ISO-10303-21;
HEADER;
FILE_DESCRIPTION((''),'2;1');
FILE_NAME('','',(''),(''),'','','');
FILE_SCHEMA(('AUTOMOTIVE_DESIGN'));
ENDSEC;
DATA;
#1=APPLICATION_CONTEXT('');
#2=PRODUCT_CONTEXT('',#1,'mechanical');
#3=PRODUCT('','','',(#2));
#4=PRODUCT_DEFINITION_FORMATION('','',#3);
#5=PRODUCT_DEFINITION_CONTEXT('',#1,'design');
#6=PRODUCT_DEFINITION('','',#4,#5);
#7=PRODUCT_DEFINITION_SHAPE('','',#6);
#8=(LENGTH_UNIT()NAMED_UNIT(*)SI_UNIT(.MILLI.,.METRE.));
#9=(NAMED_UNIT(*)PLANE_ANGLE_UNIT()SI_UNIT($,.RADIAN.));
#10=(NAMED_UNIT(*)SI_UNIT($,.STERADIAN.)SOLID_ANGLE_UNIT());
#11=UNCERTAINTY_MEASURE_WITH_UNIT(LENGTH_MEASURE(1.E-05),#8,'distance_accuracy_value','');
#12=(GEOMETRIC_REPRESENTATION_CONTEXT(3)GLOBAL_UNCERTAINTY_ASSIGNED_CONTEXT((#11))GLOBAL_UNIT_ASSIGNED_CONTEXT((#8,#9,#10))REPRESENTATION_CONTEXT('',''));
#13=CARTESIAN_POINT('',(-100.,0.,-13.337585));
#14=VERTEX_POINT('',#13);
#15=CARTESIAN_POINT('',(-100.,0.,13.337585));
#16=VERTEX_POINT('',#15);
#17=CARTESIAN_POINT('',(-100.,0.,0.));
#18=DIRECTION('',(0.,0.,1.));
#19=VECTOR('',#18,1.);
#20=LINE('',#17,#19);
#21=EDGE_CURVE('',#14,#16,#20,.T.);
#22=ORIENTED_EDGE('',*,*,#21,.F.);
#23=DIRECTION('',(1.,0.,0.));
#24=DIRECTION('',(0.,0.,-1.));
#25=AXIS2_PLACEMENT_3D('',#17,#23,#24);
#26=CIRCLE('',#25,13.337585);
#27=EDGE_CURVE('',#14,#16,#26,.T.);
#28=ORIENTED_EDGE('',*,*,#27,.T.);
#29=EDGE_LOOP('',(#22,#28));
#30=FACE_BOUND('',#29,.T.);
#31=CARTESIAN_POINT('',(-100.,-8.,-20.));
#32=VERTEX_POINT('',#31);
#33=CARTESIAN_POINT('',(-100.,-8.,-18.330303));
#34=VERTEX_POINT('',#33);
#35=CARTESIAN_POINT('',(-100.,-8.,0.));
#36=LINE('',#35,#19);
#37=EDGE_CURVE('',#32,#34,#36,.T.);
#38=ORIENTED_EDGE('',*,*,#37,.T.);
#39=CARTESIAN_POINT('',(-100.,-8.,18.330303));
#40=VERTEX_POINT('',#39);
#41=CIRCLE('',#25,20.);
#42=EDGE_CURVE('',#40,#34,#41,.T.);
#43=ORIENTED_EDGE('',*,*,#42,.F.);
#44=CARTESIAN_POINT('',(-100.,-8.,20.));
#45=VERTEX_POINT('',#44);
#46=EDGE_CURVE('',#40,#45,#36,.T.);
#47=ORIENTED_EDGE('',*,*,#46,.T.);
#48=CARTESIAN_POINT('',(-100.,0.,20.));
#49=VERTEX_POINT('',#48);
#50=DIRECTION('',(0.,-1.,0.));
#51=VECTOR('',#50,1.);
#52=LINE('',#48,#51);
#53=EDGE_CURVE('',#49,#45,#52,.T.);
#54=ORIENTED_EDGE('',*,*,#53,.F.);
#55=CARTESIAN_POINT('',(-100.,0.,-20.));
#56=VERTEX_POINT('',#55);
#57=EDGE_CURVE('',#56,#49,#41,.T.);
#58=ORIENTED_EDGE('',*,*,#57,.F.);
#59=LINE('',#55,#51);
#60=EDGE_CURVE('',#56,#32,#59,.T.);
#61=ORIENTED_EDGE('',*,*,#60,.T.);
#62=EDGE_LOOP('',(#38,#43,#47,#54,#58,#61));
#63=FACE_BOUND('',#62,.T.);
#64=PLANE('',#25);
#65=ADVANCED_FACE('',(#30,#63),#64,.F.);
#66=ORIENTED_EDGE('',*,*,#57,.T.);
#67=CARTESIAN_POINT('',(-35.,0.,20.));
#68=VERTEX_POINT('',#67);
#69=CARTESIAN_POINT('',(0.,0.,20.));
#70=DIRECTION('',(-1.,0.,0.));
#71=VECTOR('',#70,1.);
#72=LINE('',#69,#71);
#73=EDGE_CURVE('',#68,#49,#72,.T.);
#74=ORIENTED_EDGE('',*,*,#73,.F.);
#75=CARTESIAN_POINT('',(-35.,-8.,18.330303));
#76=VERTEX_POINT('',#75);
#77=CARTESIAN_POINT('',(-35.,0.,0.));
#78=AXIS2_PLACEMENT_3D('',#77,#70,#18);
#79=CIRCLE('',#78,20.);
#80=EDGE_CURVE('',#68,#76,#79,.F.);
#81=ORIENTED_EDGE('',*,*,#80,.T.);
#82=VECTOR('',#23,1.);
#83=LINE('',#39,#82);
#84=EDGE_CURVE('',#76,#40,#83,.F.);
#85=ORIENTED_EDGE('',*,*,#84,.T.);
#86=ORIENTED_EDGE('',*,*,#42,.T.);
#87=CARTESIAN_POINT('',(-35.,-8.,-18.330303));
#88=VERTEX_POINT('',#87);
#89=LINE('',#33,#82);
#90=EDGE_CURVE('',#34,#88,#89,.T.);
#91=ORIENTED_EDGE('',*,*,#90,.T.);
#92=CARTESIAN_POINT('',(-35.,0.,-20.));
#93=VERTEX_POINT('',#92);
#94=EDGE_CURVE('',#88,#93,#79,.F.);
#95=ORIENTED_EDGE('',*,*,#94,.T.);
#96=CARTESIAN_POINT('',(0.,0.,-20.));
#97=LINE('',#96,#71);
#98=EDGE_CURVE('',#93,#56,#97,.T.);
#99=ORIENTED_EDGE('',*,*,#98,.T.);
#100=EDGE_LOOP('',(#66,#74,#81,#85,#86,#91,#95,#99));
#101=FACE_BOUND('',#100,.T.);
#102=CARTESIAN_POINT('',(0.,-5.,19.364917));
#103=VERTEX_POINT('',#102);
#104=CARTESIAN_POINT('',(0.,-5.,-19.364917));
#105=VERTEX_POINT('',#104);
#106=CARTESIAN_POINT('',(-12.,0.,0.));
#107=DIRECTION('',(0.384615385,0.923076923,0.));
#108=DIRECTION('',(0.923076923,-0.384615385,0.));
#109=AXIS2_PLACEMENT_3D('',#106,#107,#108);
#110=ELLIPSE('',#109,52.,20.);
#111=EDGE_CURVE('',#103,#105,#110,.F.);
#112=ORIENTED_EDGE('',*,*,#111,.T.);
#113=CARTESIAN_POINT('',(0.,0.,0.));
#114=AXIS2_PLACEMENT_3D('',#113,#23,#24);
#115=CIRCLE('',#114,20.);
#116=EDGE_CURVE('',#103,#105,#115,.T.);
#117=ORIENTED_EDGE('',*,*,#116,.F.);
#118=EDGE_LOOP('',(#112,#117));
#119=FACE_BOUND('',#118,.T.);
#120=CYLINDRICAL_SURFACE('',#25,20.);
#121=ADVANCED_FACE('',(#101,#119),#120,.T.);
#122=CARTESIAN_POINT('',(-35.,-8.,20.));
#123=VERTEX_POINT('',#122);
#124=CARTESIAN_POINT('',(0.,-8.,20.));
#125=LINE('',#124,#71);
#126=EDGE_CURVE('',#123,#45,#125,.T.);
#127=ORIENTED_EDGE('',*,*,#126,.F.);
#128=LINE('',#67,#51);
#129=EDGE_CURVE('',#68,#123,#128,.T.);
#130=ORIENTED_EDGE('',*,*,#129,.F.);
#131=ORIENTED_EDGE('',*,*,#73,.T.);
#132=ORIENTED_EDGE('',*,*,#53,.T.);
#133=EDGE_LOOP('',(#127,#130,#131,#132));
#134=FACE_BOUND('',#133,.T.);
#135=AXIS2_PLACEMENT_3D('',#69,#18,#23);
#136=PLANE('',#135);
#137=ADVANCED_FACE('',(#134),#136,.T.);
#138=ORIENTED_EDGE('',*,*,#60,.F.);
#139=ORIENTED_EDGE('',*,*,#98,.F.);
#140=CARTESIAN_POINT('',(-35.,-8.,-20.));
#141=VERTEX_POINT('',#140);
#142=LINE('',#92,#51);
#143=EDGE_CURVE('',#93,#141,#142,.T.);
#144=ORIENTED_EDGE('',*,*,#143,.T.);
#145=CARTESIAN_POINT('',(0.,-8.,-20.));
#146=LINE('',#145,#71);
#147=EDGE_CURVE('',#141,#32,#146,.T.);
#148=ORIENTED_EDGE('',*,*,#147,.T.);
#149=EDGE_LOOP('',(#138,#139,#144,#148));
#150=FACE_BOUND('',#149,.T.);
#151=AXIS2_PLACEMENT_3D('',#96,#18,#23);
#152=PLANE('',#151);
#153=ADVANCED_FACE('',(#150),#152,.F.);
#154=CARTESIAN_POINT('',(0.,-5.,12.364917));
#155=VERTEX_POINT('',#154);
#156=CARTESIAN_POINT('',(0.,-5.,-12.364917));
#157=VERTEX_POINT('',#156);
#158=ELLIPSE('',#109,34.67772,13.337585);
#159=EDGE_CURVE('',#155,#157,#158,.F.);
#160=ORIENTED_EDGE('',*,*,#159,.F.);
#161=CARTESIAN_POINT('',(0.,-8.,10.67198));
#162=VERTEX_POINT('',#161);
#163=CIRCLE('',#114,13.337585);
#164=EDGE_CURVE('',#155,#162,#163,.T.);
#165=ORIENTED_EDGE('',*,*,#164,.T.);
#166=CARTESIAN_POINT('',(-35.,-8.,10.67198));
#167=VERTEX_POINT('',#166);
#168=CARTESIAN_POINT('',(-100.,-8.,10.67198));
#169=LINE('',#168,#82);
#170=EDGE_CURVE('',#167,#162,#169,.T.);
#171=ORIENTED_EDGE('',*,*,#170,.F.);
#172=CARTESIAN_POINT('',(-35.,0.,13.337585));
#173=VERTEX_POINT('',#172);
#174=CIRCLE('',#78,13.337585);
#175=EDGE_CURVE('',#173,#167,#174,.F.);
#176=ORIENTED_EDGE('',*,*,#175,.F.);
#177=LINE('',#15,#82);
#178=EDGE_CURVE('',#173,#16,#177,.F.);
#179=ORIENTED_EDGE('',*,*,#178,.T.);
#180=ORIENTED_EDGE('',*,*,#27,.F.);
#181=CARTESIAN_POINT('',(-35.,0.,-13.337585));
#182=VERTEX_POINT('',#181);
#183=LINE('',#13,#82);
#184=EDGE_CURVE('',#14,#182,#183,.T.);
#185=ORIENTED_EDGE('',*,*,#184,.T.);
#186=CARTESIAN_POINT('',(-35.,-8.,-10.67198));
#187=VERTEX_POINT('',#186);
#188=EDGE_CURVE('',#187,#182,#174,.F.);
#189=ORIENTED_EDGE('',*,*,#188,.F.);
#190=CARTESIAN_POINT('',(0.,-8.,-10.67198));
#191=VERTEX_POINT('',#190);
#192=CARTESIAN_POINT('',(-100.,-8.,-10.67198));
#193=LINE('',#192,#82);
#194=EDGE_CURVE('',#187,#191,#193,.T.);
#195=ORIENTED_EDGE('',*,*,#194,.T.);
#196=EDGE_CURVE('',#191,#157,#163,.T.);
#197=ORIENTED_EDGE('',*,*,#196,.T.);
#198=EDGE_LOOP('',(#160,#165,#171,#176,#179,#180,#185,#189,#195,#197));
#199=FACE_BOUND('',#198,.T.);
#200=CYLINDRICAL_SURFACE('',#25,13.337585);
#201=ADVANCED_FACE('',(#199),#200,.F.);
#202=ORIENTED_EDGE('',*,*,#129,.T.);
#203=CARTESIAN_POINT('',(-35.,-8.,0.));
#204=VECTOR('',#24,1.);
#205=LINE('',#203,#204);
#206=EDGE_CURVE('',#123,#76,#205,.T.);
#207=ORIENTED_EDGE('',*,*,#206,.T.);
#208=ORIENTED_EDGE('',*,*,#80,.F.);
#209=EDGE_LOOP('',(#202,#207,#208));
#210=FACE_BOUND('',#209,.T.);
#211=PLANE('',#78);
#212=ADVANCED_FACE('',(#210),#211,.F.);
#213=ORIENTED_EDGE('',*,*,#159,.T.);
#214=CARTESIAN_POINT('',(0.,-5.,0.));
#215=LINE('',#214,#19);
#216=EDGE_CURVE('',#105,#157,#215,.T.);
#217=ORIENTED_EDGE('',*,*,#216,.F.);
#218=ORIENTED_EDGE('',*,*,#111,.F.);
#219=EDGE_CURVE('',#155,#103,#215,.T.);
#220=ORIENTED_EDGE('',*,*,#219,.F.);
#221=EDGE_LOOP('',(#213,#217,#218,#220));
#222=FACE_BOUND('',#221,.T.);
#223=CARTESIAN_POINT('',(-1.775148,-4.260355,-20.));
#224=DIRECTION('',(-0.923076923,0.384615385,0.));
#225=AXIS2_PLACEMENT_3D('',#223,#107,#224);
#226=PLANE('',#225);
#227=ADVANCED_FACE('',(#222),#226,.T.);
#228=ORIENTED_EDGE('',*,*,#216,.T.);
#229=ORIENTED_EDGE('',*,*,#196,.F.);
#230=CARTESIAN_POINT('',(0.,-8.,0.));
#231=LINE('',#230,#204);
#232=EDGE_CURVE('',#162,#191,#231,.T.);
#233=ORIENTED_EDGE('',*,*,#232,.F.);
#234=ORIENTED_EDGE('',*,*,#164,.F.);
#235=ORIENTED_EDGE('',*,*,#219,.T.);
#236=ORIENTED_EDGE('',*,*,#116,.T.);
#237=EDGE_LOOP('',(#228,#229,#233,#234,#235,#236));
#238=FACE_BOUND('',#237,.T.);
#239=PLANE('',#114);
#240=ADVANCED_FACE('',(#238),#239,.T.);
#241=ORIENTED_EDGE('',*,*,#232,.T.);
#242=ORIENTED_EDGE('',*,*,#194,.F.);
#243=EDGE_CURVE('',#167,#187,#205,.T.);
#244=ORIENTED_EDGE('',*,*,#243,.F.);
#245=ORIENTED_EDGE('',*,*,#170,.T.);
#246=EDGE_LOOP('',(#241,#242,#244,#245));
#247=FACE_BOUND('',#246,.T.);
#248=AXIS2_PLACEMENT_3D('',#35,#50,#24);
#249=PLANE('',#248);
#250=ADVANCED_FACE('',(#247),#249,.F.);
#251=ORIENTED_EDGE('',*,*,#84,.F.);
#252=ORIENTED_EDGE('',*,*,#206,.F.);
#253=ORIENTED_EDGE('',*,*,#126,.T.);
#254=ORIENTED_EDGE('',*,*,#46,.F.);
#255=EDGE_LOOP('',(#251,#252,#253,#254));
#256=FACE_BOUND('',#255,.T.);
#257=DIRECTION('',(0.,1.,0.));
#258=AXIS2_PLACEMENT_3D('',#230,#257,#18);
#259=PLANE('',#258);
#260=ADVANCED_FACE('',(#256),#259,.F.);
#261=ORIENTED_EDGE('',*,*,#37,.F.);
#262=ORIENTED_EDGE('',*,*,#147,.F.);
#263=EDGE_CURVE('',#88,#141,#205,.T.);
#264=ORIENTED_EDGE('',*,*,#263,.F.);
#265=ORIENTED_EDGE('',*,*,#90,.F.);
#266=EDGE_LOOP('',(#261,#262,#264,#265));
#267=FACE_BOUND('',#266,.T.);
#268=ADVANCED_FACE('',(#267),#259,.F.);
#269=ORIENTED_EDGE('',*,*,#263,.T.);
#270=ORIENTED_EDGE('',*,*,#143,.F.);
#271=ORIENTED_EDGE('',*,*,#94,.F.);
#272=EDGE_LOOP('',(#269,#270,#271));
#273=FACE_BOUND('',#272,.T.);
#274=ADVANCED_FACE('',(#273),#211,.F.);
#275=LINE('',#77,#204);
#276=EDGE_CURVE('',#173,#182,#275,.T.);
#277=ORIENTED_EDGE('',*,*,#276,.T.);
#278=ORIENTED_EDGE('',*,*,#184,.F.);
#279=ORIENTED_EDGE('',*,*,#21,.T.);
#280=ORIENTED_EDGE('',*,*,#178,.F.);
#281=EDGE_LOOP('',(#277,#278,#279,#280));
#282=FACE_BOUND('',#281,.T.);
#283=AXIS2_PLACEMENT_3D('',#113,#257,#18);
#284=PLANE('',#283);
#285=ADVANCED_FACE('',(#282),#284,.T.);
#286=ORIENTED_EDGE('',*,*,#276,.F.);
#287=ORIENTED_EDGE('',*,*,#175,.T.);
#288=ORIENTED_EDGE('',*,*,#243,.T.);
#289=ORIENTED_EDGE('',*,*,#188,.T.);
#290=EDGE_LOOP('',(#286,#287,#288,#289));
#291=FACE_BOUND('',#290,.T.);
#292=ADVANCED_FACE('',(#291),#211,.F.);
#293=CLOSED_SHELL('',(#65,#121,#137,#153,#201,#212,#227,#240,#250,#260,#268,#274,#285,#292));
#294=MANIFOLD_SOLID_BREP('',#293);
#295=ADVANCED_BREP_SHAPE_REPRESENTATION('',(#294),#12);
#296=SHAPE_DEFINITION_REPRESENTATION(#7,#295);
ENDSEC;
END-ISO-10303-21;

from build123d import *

# Parameters (mm, degrees)
SKETCH1_R               = 20
BOSS_EXTRUDE1_DEPTH     = 100
SKETCH2_W               = 65
SKETCH2_H               = 9.328019595
SKETCH2_H_2             = 21.34396081
BOSS_EXTRUDE2_DEPTH     = 8
CUT_EXTRUDE2_DEPTH      = 21
CUT_EXTRUDE2_DEPTH_BACK = 21


with BuildPart() as part:
    # Sketch1 → Boss-Extrude1 (new body)
    with BuildSketch(Plane(origin=(0, 0, 0), x_dir=(0, 0, -1), z_dir=(1, 0, 0))):
        Circle(SKETCH1_R)
        with BuildLine():
            Line((-10.671980405, -8), (10.671980405, -8))
            ThreePointArc((10.671980405, -8), (0, 13.337584705), (-10.671980405, -8))
        make_face(mode=Mode.SUBTRACT)
    extrude(amount=-BOSS_EXTRUDE1_DEPTH)

    # Sketch2 → Boss-Extrude2 (add)
    with BuildSketch(Plane(origin=(0, -8, 0), x_dir=(1, 0, 0), z_dir=(0, 1, 0))):
        with Locations((-67.5, 15.335990202)):
            Rectangle(SKETCH2_W, SKETCH2_H)
        with Locations((-67.5, 0)):
            Rectangle(SKETCH2_W, SKETCH2_H_2)
        with Locations((-67.5, -15.335990202)):
            Rectangle(SKETCH2_W, SKETCH2_H)
    extrude(amount=BOSS_EXTRUDE2_DEPTH)

    # Sketch3 → Cut-Extrude2 (cut, two sides)
    with BuildSketch(Plane.XY) as cut_extrude2_sk:
        Polygon((0, 20), (-60, 20), (0, -5), align=None)
    extrude(amount=CUT_EXTRUDE2_DEPTH, mode=Mode.SUBTRACT)
    extrude(cut_extrude2_sk.sketch, amount=-CUT_EXTRUDE2_DEPTH_BACK, mode=Mode.SUBTRACT)


solid = part.part
